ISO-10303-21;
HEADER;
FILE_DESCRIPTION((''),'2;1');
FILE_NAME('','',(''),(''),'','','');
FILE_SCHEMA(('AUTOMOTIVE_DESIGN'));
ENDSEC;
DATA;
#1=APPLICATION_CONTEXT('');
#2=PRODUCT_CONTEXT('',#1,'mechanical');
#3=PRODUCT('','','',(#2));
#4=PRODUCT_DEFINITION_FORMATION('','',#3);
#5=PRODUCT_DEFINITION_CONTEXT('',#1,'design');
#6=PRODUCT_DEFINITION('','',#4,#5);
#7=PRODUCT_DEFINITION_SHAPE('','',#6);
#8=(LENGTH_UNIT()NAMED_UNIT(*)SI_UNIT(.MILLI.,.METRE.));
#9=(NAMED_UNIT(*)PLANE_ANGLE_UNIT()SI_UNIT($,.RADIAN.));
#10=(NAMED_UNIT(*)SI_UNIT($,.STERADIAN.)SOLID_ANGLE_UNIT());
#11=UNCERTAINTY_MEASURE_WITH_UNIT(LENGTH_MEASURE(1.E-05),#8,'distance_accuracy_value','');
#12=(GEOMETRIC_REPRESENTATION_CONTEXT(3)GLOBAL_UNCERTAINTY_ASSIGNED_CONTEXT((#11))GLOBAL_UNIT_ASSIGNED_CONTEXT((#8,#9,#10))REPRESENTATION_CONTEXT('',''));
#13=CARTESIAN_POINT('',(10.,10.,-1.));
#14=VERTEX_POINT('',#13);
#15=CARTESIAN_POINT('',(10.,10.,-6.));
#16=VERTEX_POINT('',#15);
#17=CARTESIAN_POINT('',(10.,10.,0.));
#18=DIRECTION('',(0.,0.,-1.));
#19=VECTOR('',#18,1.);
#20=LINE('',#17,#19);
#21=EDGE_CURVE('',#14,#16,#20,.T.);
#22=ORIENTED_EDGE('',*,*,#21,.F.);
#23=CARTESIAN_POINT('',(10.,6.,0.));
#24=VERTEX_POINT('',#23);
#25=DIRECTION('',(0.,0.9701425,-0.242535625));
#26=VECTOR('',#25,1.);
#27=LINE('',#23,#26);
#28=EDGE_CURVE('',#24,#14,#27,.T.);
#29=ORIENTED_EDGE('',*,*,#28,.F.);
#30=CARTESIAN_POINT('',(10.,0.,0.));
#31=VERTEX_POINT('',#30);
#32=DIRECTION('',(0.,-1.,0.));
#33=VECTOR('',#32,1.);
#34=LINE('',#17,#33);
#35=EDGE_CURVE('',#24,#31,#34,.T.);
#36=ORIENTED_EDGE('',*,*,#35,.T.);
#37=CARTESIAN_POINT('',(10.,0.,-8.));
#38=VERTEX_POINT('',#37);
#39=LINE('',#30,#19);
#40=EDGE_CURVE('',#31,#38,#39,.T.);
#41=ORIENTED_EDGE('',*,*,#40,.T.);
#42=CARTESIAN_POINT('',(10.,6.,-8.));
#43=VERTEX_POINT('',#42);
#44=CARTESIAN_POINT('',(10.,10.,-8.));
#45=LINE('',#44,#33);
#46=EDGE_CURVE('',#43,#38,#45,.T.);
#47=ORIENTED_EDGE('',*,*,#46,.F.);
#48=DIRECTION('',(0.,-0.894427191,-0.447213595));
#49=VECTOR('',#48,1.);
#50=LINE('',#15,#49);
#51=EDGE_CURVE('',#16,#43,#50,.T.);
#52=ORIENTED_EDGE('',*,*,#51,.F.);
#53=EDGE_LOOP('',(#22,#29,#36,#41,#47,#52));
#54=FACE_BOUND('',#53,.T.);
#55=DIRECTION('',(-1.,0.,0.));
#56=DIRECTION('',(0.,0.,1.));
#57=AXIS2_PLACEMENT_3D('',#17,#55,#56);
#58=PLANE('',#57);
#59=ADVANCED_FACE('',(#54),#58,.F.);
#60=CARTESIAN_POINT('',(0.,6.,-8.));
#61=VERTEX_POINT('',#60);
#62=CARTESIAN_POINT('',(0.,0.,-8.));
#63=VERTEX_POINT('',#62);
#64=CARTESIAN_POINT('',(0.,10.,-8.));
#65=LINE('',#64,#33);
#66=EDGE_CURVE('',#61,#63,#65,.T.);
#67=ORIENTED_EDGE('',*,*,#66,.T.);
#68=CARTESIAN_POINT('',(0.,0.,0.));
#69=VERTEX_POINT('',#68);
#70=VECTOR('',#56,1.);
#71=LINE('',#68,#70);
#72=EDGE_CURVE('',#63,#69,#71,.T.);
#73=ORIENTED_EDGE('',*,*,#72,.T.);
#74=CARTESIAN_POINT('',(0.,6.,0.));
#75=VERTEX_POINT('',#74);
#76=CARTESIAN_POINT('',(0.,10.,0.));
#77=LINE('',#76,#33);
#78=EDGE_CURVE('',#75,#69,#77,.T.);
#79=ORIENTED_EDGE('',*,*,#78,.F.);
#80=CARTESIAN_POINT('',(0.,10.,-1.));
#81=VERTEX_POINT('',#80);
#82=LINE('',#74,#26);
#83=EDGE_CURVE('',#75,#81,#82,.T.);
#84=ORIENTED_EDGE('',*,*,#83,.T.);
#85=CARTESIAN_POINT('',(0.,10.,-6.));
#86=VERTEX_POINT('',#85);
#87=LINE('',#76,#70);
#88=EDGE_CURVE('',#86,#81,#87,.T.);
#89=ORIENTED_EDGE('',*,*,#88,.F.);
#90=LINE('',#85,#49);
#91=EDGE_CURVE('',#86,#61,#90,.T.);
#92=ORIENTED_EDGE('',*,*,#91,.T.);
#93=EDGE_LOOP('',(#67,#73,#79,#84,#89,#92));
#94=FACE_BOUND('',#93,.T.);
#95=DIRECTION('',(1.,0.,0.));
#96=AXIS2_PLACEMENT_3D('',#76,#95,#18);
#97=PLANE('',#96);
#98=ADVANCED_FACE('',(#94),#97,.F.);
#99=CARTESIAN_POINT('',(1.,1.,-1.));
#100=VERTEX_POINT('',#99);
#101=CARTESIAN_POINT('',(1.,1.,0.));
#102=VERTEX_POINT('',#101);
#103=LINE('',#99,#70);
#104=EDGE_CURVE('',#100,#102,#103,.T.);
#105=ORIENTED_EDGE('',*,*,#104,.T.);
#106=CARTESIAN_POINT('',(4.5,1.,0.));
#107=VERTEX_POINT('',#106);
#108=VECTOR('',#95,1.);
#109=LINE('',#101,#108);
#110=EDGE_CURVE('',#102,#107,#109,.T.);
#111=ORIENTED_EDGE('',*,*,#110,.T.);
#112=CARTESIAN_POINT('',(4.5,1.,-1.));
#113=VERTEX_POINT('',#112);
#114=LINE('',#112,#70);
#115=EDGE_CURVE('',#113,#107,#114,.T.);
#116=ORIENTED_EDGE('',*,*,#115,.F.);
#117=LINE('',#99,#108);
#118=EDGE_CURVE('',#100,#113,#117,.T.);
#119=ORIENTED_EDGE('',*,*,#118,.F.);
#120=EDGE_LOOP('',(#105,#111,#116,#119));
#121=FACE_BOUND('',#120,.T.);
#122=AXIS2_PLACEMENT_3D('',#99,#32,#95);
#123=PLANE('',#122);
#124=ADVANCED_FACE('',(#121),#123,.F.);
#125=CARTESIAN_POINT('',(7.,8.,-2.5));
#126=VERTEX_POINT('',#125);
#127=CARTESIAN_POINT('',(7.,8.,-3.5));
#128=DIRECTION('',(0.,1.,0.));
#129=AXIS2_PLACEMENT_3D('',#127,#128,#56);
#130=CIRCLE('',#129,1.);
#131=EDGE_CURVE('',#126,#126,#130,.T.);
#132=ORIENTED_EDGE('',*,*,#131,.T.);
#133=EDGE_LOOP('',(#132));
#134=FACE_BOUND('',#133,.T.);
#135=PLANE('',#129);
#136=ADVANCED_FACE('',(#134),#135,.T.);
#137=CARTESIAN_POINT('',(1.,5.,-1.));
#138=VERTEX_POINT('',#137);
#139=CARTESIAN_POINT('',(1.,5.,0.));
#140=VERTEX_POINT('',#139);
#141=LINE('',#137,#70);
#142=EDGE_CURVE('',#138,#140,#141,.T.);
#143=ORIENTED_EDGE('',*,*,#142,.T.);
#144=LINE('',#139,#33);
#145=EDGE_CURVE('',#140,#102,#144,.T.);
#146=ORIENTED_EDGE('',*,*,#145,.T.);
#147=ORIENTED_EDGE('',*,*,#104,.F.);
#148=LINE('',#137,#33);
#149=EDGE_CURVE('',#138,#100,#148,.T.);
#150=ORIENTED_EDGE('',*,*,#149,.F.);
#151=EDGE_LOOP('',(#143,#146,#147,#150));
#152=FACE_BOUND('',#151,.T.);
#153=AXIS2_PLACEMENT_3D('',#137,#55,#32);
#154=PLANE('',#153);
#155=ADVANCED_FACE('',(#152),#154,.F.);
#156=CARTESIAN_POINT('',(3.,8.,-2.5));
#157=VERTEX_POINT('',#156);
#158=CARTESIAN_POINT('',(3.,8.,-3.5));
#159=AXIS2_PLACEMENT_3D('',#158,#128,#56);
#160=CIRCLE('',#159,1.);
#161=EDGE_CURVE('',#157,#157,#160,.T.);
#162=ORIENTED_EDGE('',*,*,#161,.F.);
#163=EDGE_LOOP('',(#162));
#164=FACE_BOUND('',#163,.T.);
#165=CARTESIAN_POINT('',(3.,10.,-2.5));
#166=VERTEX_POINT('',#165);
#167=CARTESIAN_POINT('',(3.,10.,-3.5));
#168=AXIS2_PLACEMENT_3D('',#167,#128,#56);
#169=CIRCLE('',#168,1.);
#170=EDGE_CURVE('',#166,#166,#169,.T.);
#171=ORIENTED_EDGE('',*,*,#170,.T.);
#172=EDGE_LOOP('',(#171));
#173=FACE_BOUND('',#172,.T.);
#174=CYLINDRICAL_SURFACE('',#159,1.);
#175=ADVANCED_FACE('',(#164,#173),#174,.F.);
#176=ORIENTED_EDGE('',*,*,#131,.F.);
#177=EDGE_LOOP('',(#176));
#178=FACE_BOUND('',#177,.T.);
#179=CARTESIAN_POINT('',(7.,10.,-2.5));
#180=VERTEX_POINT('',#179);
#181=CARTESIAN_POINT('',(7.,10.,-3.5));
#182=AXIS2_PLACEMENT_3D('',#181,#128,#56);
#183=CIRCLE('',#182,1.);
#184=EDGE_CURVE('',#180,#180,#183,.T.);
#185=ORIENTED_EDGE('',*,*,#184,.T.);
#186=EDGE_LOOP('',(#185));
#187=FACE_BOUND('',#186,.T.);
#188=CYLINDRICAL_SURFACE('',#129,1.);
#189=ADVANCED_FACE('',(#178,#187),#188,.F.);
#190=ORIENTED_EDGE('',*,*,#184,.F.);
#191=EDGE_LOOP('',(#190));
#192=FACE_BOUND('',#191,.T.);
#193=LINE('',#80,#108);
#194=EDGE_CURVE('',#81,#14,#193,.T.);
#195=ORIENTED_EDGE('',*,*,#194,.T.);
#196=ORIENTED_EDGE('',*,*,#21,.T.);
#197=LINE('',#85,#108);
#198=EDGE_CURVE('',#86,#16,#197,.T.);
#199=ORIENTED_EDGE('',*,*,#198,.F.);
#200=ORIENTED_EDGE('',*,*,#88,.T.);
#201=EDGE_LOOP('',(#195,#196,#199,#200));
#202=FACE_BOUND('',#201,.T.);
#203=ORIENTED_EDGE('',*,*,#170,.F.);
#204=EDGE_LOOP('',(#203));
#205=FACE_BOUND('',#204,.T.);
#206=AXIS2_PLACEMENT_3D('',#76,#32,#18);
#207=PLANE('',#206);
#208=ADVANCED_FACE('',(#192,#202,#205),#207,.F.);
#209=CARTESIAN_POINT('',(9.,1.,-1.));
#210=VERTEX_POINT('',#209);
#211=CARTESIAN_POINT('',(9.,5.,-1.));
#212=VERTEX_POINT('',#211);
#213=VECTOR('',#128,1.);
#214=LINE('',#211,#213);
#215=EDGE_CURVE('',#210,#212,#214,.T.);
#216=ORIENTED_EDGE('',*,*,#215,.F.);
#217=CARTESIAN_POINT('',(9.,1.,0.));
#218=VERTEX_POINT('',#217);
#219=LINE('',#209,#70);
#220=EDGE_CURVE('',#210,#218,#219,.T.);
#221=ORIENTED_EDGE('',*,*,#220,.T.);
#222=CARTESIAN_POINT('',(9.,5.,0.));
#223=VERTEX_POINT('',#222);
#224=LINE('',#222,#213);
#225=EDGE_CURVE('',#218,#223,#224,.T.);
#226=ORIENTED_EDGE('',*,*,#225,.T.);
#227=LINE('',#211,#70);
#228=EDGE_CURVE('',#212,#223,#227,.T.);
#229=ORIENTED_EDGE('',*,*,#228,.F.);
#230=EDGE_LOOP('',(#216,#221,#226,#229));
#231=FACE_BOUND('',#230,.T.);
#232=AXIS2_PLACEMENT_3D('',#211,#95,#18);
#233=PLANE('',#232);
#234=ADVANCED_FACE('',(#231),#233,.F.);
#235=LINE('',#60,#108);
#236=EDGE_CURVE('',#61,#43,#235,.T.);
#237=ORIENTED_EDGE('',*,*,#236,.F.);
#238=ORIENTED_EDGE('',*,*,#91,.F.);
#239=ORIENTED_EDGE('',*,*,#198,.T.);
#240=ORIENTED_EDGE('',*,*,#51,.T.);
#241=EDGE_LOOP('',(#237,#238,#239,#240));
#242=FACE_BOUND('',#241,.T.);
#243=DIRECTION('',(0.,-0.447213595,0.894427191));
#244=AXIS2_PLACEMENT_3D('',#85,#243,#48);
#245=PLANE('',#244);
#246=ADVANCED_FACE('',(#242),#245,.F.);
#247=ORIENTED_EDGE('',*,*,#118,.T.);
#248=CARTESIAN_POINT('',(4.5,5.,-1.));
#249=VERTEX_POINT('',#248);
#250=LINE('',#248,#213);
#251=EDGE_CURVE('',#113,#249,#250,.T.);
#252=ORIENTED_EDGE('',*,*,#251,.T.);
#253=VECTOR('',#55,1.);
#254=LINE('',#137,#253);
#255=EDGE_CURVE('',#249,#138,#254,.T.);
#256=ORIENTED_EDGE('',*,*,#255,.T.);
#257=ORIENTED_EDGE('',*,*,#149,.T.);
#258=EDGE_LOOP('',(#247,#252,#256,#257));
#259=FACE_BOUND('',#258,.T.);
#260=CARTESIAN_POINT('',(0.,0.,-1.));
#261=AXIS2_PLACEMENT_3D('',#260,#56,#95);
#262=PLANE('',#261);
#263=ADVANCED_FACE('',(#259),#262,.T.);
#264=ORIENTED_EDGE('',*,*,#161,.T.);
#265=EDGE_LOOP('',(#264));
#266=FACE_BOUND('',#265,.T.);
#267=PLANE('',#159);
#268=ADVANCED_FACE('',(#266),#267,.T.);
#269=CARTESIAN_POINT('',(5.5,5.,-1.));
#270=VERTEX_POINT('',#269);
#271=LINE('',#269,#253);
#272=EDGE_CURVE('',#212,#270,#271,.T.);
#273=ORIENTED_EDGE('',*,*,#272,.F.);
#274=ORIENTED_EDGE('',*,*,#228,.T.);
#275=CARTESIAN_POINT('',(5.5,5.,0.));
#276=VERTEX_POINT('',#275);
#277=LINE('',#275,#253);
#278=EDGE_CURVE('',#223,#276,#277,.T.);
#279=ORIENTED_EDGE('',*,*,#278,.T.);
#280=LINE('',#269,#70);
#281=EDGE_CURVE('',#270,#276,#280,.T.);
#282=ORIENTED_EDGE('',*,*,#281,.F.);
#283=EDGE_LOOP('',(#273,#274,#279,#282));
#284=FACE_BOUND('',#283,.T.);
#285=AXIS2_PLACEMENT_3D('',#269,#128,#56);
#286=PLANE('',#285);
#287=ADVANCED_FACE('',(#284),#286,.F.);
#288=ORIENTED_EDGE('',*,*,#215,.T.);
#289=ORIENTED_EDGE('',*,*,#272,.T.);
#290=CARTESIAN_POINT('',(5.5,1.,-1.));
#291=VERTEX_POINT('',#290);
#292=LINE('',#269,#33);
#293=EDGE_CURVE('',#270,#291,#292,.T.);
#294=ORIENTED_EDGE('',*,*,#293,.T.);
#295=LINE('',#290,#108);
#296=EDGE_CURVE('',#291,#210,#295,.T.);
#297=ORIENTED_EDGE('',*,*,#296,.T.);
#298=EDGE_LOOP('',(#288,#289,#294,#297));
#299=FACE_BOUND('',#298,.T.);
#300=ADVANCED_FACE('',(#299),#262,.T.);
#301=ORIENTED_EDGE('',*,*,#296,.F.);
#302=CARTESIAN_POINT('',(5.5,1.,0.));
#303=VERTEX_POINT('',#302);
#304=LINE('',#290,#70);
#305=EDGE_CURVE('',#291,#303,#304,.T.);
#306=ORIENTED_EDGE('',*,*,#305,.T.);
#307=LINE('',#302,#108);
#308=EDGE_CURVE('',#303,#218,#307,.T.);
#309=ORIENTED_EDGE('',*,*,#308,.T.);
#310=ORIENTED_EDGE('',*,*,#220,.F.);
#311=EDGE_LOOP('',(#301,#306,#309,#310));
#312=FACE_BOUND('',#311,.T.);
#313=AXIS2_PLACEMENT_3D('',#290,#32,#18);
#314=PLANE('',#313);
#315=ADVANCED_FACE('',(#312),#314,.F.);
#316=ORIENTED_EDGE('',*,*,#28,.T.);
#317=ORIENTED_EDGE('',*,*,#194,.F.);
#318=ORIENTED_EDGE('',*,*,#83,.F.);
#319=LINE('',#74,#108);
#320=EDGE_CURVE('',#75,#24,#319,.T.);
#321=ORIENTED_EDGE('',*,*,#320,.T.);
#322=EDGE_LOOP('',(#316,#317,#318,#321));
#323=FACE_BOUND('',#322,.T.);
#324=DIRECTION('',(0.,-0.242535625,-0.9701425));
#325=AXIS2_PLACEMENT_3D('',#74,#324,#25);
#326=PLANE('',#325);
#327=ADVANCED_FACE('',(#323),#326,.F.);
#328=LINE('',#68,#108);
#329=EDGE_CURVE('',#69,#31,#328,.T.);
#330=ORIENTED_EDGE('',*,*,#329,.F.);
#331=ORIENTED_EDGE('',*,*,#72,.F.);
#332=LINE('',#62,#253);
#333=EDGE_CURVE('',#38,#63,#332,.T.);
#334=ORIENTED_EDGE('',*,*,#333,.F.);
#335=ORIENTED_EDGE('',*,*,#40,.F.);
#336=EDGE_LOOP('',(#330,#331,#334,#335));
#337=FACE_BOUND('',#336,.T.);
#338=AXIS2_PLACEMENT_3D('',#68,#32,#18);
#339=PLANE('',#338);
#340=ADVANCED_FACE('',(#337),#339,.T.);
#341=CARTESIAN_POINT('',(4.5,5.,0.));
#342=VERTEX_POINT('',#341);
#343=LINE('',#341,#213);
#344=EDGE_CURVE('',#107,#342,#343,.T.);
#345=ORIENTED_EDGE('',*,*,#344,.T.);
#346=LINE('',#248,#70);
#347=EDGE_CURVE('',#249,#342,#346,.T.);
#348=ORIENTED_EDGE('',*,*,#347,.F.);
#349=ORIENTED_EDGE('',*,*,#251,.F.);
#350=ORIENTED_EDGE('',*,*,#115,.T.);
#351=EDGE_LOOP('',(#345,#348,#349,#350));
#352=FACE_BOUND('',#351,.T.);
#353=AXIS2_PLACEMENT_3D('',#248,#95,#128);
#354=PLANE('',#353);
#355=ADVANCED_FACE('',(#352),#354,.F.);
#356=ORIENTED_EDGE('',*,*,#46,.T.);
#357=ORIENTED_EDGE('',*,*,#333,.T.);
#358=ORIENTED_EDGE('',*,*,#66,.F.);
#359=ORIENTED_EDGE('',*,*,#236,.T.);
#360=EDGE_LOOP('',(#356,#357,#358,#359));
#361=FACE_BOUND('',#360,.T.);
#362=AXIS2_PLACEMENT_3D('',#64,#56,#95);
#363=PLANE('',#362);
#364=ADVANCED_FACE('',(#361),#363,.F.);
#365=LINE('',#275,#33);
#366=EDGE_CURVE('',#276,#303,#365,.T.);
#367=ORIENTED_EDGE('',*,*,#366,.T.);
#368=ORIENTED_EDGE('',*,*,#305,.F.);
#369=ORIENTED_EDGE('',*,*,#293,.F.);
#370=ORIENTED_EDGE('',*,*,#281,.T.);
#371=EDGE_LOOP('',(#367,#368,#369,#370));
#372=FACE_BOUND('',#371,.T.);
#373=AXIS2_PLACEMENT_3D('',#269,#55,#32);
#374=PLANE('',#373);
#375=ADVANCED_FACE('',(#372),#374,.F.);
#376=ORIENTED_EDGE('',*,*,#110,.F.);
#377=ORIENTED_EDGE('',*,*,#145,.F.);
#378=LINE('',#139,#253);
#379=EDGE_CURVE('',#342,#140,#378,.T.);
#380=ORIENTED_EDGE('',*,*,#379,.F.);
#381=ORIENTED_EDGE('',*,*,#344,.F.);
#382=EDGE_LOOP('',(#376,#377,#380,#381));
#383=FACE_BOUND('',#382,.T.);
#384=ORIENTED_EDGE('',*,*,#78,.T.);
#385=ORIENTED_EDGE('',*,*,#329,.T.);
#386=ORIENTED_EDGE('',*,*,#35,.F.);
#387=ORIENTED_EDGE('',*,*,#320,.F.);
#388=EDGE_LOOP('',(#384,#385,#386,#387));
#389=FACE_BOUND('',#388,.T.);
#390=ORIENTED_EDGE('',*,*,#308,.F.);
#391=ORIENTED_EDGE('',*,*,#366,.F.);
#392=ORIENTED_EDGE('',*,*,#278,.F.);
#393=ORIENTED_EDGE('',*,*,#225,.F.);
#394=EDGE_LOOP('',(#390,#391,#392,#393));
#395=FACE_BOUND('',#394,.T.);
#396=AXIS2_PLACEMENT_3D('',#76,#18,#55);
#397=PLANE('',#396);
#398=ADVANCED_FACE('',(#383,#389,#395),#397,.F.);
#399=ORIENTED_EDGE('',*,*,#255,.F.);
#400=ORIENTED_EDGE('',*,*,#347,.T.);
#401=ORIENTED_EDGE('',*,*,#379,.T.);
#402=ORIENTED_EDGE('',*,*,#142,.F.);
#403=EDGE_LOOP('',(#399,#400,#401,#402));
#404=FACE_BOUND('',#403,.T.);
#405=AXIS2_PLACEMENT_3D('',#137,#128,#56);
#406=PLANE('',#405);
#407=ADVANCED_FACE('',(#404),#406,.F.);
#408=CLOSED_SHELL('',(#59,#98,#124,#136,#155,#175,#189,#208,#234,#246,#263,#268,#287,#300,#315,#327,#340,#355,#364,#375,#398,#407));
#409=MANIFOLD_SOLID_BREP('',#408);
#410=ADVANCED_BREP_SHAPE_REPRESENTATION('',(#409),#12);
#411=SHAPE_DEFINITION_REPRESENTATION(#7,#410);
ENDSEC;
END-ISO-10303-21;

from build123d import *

# Parameters (mm, degrees)
SKETCH1_W           = 10
SKETCH1_H           = 8
BOSS_EXTRUDE1_DEPTH = 10
CUT_EXTRUDE1_DEPTH  = 10
SKETCH4_R           = 1
CUT_EXTRUDE2_DEPTH  = 2
SKETCH5_W           = 3.5
SKETCH5_H           = 4
CUT_EXTRUDE3_DEPTH  = 1


with BuildPart() as part:
    # Sketch1 → Boss-Extrude1 (new body)
    with BuildSketch(Plane(origin=(0, 0, 0), x_dir=(1, 0, 0), z_dir=(0, 1, 0))):
        with Locations((5, 4)):
            Rectangle(SKETCH1_W, SKETCH1_H)
    extrude(amount=BOSS_EXTRUDE1_DEPTH)

    # Sketch3 → Cut-Extrude1 (cut)
    with BuildSketch(Plane(origin=(10, 0, 0), x_dir=(0, 0, -1), z_dir=(1, 0, 0))):
        Polygon((0, 6), (1, 10), (6, 10), (8, 6), (9, 6), (9, 11), (-1, 11), (-1, 6), align=None)
    extrude(amount=-CUT_EXTRUDE1_DEPTH, mode=Mode.SUBTRACT)

    # Sketch4 → Cut-Extrude2 (cut)
    with BuildSketch(Plane(origin=(0, 10, 0), x_dir=(1, 0, 0), z_dir=(0, 1, 0))):
        with Locations(Location((3, 3.5, 0), (0, 0, 270))):
            Circle(SKETCH4_R)
        with Locations(Location((7, 3.5, 0), (0, 0, 270))):
            Circle(SKETCH4_R)
    extrude(amount=-CUT_EXTRUDE2_DEPTH, mode=Mode.SUBTRACT)

    # Sketch5 → Cut-Extrude3 (cut)
    with BuildSketch(Plane.XY):
        with Locations((2.75, 3)):
            Rectangle(SKETCH5_W, SKETCH5_H)
        with Locations((7.25, 3)):
            Rectangle(SKETCH5_W, SKETCH5_H)
    extrude(amount=-CUT_EXTRUDE3_DEPTH, mode=Mode.SUBTRACT)


solid = part.part
